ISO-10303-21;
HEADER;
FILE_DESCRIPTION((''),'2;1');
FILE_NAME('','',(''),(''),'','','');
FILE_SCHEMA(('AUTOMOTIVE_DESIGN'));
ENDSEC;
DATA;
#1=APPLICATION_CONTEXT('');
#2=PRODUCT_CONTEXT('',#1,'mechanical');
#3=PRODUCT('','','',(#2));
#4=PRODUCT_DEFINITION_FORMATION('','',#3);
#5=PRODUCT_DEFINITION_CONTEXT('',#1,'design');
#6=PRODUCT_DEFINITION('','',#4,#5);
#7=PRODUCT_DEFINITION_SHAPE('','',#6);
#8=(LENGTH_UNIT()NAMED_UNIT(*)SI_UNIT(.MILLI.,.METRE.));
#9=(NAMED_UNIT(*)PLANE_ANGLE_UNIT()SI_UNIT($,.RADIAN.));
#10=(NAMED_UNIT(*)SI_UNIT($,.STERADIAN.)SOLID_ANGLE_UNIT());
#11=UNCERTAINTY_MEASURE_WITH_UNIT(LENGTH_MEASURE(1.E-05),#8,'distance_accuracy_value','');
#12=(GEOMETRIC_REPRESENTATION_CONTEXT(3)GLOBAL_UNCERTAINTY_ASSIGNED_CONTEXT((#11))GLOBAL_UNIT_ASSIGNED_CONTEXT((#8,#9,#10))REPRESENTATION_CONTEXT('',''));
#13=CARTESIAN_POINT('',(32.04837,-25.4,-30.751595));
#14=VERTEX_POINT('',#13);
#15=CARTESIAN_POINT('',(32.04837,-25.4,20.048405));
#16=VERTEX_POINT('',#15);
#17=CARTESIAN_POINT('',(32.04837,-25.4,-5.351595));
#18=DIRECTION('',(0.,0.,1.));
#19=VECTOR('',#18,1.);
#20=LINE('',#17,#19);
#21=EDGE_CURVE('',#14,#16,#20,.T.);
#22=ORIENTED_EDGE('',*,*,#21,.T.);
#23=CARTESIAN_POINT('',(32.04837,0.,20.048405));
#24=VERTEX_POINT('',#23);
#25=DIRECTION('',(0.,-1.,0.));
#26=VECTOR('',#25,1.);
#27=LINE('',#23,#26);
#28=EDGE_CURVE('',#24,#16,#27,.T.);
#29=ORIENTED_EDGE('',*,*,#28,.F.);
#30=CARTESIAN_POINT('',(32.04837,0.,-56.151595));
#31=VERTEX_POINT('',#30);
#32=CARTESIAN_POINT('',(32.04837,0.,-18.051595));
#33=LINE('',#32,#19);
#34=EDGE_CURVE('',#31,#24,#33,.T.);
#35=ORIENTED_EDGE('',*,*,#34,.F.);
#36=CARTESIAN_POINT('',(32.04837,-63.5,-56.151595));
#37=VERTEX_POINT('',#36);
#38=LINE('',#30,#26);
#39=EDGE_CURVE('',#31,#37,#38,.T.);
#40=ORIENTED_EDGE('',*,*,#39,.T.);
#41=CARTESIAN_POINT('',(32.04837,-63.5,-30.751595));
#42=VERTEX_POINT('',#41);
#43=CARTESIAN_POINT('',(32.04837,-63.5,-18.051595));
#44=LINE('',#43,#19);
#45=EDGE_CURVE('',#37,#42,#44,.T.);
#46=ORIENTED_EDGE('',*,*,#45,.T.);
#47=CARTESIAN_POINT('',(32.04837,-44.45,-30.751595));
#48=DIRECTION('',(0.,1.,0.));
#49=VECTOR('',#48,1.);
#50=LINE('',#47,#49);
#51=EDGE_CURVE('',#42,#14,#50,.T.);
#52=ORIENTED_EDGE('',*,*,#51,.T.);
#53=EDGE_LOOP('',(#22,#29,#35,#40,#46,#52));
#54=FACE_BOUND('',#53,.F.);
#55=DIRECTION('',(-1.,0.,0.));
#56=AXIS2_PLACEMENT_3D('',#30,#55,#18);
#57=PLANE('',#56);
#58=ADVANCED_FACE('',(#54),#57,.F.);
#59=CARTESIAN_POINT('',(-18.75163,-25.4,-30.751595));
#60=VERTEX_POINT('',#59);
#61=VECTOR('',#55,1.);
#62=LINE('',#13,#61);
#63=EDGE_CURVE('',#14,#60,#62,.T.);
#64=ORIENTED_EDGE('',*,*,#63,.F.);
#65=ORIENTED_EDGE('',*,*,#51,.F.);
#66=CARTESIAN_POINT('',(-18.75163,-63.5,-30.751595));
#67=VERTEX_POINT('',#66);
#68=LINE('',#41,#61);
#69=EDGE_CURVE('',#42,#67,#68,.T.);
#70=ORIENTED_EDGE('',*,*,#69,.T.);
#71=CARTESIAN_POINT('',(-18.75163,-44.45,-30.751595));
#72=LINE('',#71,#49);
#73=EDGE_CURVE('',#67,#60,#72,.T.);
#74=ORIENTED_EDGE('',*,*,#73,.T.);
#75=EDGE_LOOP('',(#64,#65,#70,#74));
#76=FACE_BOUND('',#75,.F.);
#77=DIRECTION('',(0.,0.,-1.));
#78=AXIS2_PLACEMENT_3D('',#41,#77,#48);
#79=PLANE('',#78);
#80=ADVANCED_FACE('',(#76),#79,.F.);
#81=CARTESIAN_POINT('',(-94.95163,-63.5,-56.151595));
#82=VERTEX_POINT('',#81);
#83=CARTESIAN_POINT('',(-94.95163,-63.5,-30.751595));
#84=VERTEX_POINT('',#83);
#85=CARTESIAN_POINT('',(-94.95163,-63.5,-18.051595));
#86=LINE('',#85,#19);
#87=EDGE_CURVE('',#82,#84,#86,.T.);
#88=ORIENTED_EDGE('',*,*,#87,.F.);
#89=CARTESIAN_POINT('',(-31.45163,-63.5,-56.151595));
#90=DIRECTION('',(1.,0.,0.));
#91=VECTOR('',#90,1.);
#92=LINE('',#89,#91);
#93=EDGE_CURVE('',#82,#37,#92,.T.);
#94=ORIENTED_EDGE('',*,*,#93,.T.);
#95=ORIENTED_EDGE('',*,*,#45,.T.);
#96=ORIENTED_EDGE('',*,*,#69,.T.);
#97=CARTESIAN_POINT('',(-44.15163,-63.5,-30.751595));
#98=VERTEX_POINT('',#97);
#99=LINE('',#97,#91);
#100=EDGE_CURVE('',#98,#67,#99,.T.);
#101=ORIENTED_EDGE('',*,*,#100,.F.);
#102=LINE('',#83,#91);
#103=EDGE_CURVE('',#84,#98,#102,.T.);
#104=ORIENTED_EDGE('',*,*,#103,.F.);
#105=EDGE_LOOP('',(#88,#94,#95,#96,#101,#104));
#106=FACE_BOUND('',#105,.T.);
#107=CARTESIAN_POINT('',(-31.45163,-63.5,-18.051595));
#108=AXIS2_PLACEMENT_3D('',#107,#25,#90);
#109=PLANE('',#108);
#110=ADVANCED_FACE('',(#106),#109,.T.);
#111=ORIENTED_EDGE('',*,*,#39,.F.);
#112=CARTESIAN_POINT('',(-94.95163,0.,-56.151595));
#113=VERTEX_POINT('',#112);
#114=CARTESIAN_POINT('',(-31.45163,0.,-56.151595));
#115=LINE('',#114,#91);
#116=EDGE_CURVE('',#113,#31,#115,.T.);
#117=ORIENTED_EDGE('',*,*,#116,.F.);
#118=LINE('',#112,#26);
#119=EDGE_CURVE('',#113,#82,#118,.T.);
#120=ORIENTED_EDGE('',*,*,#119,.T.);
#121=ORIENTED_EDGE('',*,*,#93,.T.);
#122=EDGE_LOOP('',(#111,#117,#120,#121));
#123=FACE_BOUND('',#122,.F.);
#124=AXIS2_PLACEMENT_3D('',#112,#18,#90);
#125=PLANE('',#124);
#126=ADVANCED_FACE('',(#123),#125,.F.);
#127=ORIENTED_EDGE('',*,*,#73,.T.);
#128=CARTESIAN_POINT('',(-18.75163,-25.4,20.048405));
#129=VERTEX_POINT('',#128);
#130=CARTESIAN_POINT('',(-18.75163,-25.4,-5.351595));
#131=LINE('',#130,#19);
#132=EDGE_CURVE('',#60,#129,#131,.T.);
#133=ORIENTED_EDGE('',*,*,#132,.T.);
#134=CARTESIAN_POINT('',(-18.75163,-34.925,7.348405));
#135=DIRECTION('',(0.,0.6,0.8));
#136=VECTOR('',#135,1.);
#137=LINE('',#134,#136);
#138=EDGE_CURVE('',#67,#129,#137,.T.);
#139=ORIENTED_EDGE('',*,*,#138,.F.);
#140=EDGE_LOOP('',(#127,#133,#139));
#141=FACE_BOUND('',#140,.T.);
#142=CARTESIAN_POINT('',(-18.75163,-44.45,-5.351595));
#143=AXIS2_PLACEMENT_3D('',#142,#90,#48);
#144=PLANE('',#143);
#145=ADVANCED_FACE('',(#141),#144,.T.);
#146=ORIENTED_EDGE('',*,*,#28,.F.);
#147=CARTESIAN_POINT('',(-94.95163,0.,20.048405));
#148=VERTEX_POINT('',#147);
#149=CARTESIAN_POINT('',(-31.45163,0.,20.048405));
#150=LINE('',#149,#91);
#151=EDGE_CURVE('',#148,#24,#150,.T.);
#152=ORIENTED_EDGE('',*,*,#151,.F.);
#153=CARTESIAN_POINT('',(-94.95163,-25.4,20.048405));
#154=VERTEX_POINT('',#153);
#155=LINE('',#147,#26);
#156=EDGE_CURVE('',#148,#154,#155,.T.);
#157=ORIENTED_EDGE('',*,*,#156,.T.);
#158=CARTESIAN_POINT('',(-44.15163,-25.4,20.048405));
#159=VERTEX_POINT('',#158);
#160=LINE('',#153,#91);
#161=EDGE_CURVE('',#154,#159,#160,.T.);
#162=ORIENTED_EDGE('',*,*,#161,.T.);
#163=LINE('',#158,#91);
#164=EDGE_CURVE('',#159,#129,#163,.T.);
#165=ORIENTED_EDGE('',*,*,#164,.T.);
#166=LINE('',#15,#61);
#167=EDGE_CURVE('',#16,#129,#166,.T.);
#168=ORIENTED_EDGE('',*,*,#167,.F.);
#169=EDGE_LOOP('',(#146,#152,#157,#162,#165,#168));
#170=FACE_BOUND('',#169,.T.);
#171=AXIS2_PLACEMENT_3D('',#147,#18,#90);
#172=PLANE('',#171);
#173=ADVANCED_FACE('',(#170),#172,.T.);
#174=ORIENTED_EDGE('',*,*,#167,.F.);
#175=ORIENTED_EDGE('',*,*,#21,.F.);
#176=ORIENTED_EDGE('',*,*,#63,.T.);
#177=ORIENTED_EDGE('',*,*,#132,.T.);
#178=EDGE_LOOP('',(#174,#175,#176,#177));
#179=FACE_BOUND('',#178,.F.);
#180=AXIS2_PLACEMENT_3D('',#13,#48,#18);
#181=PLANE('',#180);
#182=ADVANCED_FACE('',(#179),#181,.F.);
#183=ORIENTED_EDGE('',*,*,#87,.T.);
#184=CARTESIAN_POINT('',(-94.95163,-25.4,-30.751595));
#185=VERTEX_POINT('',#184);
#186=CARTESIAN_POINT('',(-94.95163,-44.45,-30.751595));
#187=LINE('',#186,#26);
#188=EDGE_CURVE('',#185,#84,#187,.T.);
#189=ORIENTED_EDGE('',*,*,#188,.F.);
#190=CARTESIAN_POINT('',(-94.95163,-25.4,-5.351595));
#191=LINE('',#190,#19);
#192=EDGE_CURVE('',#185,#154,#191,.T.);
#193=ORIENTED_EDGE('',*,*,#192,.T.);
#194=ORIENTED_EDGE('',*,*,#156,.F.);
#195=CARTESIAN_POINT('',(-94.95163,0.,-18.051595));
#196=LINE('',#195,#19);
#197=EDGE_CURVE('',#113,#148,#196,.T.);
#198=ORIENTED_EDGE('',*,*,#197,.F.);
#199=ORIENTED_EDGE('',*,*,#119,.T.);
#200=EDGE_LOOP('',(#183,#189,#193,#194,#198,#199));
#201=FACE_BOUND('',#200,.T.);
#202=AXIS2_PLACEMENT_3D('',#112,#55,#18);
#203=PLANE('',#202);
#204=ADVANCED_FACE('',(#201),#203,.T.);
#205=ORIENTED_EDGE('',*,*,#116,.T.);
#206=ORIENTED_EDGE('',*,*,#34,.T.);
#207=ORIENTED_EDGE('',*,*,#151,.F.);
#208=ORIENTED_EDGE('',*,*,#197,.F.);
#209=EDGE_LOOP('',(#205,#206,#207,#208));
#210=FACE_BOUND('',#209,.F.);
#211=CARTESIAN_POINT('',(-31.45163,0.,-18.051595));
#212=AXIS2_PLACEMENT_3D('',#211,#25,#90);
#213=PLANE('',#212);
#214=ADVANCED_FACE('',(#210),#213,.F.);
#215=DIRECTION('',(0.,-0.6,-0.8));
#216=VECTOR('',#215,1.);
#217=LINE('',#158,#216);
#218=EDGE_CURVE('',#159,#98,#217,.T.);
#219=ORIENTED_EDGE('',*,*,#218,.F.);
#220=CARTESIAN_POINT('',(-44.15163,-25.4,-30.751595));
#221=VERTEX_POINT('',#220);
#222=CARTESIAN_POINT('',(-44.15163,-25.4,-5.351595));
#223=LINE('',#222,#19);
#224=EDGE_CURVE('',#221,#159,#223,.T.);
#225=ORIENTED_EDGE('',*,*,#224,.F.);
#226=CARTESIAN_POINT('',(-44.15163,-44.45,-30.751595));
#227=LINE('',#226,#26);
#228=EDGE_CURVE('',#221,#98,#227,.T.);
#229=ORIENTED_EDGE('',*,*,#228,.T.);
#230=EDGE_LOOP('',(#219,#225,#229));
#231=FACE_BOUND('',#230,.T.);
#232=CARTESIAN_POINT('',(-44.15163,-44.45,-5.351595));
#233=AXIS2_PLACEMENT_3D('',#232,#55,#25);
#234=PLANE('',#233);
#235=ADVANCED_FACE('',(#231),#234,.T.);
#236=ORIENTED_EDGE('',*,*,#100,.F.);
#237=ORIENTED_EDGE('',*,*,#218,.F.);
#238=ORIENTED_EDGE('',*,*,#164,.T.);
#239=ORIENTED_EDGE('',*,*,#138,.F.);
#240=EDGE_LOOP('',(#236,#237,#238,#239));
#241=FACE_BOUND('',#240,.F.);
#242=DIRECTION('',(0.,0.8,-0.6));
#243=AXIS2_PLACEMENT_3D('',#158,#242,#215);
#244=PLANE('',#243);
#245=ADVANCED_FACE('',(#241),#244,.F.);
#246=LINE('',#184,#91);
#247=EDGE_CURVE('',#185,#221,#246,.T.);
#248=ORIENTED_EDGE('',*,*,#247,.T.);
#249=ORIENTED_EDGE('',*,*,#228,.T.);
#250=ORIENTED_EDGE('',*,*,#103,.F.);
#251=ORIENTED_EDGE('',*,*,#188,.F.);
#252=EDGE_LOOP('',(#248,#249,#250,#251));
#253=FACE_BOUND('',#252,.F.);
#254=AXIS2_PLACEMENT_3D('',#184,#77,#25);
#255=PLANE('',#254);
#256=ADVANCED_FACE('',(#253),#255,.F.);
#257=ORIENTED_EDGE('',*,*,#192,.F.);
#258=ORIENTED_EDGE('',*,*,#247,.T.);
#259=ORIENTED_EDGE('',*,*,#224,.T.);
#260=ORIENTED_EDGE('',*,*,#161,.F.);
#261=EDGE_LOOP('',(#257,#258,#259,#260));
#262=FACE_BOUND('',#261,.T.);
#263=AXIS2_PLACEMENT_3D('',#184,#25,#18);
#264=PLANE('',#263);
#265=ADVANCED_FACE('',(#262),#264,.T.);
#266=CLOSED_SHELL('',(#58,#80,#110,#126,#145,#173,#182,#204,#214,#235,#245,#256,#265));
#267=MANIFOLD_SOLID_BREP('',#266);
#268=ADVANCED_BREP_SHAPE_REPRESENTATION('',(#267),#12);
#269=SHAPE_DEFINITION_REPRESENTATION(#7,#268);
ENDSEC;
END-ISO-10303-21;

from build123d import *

# Parameters (mm, degrees)
F0_W     = 127
F0_H     = 76.2
F1_DEPTH = 63.5
F2_W     = 38.1
F2_H     = 50.8
F3_DEPTH = 50.8
F4_W     = 38.1
F4_H     = 50.8
F5_DEPTH = 50.8
F7_DEPTH = 76.201


with BuildPart() as f1:
    # F0 (on Front) → F1 (new body)
    with BuildSketch(Plane.XZ):
        with Locations((-31.45163, -18.051595)):
            Rectangle(F0_W, F0_H)
    extrude(amount=F1_DEPTH)

    # F2 (on face) → F3 (cut)
    with BuildSketch(Plane.YZ.offset(32.04837)):
        with Locations((-44.45, -5.351595)):
            Rectangle(F2_W, F2_H)
    extrude(amount=-F3_DEPTH, mode=Mode.SUBTRACT)

    # F4 (on face) → F5 (cut)
    with BuildSketch(Plane(origin=(-94.95163, 0, 0), x_dir=(0, -1, 0), z_dir=(-1, 0, 0))):
        with Locations((44.45, -5.351595)):
            Rectangle(F4_W, F4_H)
    extrude(amount=-F5_DEPTH, mode=Mode.SUBTRACT)

    # F6 (on face) → F7 (cut, through all)
    with BuildSketch(Plane(origin=(-44.15163, 0, 0), x_dir=(0, -1, 0), z_dir=(-1, 0, 0))):
        Polygon((63.5, 20.048405), (25.4, 20.048405), (63.5, -30.751595), align=None)
    extrude(amount=-F7_DEPTH, mode=Mode.SUBTRACT)


solid = f1.part
